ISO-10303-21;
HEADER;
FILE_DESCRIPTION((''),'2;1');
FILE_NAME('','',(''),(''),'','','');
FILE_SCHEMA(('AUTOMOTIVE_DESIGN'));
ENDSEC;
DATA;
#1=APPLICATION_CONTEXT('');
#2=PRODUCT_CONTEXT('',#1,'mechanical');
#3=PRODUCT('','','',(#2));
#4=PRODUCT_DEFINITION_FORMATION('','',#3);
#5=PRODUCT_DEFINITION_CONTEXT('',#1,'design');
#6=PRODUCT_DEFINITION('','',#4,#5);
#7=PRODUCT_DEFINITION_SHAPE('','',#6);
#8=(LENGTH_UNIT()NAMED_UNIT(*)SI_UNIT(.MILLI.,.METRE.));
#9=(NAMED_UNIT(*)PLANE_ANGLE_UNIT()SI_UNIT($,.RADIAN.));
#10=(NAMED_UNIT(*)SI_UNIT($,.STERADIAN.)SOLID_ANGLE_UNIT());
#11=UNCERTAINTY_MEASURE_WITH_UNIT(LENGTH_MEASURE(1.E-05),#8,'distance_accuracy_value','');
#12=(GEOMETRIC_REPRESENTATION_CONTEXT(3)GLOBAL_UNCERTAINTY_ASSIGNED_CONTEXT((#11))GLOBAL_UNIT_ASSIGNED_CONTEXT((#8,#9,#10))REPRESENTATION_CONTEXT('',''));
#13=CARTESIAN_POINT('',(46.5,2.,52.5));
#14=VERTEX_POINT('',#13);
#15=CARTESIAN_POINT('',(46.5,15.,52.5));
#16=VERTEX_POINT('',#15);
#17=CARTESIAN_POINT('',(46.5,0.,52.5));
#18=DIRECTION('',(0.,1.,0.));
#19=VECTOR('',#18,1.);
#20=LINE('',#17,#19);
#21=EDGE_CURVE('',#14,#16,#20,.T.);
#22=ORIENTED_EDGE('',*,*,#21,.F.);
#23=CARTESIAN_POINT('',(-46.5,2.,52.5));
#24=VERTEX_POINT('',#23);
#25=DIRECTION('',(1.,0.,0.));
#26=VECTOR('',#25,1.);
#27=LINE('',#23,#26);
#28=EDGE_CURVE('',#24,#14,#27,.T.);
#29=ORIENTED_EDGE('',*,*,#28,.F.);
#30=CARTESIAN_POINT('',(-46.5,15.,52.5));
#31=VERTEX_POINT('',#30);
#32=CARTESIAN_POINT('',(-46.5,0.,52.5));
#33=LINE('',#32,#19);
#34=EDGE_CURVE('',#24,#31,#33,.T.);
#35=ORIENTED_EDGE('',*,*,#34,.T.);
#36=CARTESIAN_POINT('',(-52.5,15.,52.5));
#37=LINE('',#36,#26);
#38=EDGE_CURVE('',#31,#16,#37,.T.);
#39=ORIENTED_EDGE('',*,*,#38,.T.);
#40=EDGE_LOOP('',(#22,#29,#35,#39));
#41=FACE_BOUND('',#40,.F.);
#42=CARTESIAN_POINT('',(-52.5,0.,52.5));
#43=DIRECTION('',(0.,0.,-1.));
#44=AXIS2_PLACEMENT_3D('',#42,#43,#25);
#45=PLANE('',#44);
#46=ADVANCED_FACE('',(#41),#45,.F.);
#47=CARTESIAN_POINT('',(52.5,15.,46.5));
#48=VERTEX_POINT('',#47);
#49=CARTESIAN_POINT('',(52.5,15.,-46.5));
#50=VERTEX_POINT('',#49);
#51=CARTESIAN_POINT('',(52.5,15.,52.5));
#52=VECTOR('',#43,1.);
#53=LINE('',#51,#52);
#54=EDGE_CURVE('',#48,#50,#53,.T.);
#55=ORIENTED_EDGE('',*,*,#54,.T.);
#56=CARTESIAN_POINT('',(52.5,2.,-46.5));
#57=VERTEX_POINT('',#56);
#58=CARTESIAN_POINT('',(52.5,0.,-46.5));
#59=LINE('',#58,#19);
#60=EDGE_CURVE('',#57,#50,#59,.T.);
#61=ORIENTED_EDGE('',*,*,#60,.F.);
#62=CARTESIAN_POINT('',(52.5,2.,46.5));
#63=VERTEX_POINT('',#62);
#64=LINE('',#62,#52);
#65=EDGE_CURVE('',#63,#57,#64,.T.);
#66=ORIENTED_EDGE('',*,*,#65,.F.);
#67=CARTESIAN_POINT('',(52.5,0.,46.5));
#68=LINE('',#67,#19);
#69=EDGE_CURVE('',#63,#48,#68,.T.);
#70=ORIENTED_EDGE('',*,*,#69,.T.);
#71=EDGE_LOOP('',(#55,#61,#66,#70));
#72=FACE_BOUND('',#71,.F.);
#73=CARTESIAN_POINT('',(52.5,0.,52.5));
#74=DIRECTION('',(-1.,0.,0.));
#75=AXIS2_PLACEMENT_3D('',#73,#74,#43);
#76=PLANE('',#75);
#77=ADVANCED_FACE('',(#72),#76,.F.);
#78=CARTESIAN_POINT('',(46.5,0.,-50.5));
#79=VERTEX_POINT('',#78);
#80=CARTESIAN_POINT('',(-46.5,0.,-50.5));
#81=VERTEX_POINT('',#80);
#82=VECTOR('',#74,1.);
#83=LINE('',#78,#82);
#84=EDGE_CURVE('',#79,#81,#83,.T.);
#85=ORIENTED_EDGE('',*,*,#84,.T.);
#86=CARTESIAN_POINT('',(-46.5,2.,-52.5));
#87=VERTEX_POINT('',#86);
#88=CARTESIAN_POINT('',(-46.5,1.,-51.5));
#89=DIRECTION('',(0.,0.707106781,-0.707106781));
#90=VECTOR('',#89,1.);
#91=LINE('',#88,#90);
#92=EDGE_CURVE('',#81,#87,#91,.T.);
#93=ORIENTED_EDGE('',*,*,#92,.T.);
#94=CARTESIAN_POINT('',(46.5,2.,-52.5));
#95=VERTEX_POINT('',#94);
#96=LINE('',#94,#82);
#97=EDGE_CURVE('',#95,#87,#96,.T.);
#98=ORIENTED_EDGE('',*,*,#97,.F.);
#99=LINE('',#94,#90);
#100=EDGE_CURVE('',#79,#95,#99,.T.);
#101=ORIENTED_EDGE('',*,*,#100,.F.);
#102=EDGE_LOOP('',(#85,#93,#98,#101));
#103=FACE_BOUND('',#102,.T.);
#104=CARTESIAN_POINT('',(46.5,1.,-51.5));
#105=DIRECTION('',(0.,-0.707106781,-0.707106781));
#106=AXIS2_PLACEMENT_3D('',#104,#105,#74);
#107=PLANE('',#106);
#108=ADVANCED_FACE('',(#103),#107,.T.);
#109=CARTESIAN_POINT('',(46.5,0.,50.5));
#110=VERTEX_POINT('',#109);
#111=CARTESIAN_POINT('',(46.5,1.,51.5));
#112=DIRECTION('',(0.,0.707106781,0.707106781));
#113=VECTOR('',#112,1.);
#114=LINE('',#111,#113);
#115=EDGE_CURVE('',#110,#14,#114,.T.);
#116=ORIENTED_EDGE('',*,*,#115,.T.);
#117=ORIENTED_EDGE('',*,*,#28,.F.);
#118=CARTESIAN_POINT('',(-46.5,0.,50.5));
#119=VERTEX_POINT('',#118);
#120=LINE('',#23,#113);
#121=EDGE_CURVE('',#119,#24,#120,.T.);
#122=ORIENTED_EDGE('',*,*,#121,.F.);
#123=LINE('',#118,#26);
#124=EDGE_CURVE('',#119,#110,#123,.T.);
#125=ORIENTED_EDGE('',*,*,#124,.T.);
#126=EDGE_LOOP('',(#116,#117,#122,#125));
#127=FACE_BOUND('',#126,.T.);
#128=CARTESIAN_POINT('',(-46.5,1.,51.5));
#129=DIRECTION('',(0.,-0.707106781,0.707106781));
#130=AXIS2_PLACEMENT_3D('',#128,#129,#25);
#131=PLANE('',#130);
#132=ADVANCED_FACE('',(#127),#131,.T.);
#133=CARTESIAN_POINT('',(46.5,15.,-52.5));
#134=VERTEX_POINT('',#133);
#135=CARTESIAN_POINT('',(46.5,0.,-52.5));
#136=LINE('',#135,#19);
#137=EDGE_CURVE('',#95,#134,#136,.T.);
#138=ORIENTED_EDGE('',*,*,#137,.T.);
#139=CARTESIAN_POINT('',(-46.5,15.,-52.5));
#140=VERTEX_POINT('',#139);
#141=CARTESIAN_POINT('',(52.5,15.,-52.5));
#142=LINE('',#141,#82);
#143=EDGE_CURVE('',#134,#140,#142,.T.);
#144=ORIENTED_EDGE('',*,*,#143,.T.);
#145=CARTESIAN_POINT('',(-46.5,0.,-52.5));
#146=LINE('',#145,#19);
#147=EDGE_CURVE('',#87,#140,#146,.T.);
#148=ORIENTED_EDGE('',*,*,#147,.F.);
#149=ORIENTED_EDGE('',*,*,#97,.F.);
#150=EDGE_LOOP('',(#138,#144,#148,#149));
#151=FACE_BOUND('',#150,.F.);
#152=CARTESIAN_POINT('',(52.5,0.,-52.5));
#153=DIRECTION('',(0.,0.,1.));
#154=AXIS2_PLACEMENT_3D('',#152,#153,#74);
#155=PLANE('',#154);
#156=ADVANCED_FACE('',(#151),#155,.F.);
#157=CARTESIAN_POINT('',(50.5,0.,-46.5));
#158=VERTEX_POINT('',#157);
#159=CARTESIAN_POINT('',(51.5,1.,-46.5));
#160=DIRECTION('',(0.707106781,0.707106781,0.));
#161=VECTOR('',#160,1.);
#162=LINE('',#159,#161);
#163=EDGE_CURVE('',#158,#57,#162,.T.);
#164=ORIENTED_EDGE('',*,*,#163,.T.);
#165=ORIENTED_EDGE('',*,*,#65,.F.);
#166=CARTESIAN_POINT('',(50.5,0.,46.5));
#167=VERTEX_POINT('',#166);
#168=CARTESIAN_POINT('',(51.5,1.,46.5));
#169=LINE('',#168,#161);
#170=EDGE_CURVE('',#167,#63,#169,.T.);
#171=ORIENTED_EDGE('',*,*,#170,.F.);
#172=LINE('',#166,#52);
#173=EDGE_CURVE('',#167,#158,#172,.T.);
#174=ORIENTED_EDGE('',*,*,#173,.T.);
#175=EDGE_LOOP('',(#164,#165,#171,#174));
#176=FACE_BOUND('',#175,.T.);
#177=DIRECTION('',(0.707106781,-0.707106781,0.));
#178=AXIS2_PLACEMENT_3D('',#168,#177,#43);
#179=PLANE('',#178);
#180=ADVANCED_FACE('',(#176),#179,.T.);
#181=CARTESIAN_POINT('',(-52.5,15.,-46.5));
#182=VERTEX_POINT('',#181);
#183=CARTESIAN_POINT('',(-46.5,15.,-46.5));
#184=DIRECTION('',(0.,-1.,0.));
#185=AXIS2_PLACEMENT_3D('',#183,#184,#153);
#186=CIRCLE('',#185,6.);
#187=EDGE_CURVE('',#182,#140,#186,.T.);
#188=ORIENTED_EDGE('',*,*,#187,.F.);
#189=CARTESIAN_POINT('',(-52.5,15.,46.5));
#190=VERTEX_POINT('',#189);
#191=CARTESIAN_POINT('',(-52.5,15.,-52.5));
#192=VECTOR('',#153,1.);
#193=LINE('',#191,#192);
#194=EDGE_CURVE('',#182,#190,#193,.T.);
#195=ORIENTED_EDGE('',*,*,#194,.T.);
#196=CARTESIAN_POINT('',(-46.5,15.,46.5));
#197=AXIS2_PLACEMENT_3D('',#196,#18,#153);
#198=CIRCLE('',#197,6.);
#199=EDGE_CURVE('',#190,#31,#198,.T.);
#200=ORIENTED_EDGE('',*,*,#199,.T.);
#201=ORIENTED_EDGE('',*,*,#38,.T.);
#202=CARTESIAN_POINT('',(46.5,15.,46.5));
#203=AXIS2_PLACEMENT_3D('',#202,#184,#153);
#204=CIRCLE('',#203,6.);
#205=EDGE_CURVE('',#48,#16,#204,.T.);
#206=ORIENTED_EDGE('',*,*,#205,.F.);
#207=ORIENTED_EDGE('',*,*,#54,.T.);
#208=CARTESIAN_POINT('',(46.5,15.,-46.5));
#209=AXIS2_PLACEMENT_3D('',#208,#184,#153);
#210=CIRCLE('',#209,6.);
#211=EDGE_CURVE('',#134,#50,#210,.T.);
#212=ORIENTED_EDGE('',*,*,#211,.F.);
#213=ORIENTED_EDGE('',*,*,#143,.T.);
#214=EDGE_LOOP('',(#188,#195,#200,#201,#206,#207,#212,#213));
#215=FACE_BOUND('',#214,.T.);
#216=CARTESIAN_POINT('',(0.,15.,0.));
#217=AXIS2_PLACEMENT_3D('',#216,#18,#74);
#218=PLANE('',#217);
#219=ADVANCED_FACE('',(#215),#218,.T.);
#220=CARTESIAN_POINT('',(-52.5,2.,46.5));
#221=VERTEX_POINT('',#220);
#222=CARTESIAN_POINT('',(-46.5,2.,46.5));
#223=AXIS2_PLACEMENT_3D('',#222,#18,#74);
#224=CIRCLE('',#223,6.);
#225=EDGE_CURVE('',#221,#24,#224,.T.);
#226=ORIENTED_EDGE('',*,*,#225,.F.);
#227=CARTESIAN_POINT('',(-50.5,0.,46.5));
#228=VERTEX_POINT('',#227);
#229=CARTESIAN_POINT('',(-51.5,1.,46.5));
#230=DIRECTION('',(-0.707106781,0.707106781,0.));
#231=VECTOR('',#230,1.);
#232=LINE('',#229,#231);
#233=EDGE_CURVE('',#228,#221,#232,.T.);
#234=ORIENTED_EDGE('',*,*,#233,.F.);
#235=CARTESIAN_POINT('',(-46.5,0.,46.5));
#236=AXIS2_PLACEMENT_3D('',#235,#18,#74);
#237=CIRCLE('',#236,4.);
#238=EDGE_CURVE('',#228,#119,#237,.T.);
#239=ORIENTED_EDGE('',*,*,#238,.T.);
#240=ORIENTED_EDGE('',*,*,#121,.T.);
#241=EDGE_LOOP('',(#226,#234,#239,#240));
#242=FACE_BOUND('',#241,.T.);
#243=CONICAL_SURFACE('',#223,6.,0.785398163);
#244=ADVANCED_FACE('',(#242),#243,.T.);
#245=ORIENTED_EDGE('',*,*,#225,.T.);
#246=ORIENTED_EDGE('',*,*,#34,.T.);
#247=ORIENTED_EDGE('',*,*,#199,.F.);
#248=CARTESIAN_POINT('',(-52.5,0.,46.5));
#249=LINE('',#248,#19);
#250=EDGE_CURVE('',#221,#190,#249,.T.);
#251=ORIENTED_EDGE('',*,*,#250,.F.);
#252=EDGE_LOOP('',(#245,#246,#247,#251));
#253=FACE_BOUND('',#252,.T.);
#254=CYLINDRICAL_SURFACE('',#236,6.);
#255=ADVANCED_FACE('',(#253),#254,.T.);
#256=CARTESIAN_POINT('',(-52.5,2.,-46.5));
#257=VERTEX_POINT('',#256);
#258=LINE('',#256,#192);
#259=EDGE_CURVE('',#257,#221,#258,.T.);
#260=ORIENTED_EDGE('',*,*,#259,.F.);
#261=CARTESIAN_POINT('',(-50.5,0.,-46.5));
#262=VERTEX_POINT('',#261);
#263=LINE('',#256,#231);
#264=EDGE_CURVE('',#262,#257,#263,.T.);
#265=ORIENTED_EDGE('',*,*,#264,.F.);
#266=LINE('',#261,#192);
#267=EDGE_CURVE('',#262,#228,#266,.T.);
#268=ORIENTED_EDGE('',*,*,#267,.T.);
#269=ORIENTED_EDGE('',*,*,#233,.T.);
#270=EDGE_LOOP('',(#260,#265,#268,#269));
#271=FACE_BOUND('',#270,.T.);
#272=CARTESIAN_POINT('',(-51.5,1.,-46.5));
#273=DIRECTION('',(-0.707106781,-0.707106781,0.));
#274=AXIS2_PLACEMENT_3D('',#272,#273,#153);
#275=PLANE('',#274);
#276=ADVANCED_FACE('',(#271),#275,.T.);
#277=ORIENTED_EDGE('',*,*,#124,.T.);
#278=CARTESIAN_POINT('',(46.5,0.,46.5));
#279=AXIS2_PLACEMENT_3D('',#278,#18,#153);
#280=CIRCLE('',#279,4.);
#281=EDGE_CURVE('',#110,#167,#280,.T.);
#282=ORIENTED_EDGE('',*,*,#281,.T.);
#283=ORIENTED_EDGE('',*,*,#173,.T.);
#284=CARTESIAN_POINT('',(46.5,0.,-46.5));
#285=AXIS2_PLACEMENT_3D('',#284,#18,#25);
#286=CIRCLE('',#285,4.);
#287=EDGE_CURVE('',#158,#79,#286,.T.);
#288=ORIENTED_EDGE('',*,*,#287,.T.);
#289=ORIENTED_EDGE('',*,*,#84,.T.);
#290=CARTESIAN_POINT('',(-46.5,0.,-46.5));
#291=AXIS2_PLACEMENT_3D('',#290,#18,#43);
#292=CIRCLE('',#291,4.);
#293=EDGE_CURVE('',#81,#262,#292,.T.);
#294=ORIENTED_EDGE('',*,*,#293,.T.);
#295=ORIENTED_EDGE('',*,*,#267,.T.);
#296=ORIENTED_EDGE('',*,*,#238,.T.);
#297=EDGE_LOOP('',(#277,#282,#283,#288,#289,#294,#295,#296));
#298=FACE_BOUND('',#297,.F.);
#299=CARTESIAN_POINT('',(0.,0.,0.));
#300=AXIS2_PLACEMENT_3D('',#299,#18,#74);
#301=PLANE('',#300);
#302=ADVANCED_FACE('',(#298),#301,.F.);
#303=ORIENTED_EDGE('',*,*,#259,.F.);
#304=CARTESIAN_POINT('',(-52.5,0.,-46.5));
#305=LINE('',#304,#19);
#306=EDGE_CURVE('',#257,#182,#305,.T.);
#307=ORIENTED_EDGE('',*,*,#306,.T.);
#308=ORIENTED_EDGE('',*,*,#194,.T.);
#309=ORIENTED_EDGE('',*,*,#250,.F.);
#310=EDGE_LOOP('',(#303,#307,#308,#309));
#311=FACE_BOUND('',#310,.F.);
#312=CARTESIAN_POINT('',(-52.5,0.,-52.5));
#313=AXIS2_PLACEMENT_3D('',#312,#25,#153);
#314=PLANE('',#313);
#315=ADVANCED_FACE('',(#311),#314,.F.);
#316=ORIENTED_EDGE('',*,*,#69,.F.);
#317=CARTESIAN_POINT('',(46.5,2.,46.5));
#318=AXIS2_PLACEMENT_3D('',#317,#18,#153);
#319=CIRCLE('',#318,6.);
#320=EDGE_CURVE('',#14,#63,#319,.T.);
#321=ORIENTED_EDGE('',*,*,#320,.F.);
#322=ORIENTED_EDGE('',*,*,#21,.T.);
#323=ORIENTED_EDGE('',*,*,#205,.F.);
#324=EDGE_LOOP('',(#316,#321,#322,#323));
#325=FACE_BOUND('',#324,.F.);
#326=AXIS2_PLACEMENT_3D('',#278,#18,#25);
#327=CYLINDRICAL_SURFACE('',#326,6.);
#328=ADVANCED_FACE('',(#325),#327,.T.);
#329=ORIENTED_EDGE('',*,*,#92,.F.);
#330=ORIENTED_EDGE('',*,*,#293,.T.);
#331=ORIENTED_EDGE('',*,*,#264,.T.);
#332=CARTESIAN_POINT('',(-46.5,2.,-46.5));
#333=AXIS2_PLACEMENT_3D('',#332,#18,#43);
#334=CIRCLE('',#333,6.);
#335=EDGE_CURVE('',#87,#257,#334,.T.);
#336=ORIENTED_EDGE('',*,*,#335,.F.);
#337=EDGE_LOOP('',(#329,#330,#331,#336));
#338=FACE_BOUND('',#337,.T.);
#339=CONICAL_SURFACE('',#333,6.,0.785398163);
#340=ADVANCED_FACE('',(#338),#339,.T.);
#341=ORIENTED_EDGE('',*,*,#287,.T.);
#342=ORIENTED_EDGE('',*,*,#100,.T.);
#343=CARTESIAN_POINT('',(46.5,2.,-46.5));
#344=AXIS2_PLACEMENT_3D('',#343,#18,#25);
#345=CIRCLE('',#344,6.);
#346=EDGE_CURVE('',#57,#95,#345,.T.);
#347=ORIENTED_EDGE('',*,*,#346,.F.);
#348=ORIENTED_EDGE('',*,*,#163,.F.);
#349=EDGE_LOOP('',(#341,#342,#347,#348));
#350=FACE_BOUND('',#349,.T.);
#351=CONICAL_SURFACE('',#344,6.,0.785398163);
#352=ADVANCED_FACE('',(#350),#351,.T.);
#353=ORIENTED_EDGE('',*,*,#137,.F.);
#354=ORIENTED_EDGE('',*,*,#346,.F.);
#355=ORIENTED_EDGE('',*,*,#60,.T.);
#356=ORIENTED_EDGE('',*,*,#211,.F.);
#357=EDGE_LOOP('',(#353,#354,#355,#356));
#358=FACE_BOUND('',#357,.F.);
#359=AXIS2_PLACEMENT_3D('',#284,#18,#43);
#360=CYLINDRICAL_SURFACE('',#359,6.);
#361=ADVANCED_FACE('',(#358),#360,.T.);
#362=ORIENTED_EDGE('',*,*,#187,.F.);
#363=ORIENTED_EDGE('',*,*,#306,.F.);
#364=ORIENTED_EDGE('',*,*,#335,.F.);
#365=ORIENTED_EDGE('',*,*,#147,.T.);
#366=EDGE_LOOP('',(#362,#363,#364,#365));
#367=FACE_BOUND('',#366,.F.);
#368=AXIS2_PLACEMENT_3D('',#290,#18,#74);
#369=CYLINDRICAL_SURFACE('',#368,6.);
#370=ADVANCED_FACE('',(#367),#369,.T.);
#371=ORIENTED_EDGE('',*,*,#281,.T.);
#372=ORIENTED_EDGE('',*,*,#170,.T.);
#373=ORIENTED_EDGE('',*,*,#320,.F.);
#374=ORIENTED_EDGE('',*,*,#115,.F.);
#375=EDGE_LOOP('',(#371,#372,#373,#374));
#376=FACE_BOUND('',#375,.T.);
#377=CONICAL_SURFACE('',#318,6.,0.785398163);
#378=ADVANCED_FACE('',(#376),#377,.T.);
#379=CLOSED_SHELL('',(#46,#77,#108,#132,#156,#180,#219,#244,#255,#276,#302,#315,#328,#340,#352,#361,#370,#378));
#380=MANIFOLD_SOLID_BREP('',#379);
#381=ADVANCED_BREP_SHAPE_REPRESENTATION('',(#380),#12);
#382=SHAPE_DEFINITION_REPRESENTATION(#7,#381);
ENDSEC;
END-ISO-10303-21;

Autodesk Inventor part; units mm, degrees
ref_plane "YZ Plane" through (0, 0, 0) normal (1, 0, 0) x (0, 1, 0)
ref_plane "XZ Plane" through (0, 0, 0) normal (0, 1, 0) x (-1, 0, 0)
ref_plane "XY Plane" through (0, 0, 0) normal (0, 0, 1) x (1, 0, 0)
sketch "Náčrt1" plane through (0, 0, 0) normal (0, 1, 0) x (-1, 0, 0)
  line L0 (52.5, 52.5) -> (-52.5, 52.5)
  line L1 (-52.5, 52.5) -> (-52.5, -52.5)
  line L2 (-52.5, -52.5) -> (52.5, -52.5)
  line L3 (52.5, -52.5) -> (52.5, 52.5)
  line L4 (52.5, 52.5) -> (0, 0) construction
  line L5 (0, 0) -> (52.5, -52.5) construction
  line L6 (0, 0) -> (-52.5, -52.5) construction
  dimension "d0" = 105
extrude "Vysunutí1" add sketch "Náčrt1" along normal blind 15
fillet "Zaoblení1" radius 6 4 edges at (52.5, 7.5, 52.5) (-52.5, 7.5, 52.5) (52.5, 7.5, -52.5) (-52.5, 7.5, -52.5)
chamfer "Zkosení1" distance 2 angle 45 8 edges at (52.5, 0, 0) (50.7426, 0, -50.7426) (0, 0, -52.5) (-50.7426, 0, -50.7426) (-52.5, 0, 0) (-50.7426, 0, 50.7426) (0, 0, 52.5) (50.7426, 0, 50.7426)
properties part number "top_insert"
